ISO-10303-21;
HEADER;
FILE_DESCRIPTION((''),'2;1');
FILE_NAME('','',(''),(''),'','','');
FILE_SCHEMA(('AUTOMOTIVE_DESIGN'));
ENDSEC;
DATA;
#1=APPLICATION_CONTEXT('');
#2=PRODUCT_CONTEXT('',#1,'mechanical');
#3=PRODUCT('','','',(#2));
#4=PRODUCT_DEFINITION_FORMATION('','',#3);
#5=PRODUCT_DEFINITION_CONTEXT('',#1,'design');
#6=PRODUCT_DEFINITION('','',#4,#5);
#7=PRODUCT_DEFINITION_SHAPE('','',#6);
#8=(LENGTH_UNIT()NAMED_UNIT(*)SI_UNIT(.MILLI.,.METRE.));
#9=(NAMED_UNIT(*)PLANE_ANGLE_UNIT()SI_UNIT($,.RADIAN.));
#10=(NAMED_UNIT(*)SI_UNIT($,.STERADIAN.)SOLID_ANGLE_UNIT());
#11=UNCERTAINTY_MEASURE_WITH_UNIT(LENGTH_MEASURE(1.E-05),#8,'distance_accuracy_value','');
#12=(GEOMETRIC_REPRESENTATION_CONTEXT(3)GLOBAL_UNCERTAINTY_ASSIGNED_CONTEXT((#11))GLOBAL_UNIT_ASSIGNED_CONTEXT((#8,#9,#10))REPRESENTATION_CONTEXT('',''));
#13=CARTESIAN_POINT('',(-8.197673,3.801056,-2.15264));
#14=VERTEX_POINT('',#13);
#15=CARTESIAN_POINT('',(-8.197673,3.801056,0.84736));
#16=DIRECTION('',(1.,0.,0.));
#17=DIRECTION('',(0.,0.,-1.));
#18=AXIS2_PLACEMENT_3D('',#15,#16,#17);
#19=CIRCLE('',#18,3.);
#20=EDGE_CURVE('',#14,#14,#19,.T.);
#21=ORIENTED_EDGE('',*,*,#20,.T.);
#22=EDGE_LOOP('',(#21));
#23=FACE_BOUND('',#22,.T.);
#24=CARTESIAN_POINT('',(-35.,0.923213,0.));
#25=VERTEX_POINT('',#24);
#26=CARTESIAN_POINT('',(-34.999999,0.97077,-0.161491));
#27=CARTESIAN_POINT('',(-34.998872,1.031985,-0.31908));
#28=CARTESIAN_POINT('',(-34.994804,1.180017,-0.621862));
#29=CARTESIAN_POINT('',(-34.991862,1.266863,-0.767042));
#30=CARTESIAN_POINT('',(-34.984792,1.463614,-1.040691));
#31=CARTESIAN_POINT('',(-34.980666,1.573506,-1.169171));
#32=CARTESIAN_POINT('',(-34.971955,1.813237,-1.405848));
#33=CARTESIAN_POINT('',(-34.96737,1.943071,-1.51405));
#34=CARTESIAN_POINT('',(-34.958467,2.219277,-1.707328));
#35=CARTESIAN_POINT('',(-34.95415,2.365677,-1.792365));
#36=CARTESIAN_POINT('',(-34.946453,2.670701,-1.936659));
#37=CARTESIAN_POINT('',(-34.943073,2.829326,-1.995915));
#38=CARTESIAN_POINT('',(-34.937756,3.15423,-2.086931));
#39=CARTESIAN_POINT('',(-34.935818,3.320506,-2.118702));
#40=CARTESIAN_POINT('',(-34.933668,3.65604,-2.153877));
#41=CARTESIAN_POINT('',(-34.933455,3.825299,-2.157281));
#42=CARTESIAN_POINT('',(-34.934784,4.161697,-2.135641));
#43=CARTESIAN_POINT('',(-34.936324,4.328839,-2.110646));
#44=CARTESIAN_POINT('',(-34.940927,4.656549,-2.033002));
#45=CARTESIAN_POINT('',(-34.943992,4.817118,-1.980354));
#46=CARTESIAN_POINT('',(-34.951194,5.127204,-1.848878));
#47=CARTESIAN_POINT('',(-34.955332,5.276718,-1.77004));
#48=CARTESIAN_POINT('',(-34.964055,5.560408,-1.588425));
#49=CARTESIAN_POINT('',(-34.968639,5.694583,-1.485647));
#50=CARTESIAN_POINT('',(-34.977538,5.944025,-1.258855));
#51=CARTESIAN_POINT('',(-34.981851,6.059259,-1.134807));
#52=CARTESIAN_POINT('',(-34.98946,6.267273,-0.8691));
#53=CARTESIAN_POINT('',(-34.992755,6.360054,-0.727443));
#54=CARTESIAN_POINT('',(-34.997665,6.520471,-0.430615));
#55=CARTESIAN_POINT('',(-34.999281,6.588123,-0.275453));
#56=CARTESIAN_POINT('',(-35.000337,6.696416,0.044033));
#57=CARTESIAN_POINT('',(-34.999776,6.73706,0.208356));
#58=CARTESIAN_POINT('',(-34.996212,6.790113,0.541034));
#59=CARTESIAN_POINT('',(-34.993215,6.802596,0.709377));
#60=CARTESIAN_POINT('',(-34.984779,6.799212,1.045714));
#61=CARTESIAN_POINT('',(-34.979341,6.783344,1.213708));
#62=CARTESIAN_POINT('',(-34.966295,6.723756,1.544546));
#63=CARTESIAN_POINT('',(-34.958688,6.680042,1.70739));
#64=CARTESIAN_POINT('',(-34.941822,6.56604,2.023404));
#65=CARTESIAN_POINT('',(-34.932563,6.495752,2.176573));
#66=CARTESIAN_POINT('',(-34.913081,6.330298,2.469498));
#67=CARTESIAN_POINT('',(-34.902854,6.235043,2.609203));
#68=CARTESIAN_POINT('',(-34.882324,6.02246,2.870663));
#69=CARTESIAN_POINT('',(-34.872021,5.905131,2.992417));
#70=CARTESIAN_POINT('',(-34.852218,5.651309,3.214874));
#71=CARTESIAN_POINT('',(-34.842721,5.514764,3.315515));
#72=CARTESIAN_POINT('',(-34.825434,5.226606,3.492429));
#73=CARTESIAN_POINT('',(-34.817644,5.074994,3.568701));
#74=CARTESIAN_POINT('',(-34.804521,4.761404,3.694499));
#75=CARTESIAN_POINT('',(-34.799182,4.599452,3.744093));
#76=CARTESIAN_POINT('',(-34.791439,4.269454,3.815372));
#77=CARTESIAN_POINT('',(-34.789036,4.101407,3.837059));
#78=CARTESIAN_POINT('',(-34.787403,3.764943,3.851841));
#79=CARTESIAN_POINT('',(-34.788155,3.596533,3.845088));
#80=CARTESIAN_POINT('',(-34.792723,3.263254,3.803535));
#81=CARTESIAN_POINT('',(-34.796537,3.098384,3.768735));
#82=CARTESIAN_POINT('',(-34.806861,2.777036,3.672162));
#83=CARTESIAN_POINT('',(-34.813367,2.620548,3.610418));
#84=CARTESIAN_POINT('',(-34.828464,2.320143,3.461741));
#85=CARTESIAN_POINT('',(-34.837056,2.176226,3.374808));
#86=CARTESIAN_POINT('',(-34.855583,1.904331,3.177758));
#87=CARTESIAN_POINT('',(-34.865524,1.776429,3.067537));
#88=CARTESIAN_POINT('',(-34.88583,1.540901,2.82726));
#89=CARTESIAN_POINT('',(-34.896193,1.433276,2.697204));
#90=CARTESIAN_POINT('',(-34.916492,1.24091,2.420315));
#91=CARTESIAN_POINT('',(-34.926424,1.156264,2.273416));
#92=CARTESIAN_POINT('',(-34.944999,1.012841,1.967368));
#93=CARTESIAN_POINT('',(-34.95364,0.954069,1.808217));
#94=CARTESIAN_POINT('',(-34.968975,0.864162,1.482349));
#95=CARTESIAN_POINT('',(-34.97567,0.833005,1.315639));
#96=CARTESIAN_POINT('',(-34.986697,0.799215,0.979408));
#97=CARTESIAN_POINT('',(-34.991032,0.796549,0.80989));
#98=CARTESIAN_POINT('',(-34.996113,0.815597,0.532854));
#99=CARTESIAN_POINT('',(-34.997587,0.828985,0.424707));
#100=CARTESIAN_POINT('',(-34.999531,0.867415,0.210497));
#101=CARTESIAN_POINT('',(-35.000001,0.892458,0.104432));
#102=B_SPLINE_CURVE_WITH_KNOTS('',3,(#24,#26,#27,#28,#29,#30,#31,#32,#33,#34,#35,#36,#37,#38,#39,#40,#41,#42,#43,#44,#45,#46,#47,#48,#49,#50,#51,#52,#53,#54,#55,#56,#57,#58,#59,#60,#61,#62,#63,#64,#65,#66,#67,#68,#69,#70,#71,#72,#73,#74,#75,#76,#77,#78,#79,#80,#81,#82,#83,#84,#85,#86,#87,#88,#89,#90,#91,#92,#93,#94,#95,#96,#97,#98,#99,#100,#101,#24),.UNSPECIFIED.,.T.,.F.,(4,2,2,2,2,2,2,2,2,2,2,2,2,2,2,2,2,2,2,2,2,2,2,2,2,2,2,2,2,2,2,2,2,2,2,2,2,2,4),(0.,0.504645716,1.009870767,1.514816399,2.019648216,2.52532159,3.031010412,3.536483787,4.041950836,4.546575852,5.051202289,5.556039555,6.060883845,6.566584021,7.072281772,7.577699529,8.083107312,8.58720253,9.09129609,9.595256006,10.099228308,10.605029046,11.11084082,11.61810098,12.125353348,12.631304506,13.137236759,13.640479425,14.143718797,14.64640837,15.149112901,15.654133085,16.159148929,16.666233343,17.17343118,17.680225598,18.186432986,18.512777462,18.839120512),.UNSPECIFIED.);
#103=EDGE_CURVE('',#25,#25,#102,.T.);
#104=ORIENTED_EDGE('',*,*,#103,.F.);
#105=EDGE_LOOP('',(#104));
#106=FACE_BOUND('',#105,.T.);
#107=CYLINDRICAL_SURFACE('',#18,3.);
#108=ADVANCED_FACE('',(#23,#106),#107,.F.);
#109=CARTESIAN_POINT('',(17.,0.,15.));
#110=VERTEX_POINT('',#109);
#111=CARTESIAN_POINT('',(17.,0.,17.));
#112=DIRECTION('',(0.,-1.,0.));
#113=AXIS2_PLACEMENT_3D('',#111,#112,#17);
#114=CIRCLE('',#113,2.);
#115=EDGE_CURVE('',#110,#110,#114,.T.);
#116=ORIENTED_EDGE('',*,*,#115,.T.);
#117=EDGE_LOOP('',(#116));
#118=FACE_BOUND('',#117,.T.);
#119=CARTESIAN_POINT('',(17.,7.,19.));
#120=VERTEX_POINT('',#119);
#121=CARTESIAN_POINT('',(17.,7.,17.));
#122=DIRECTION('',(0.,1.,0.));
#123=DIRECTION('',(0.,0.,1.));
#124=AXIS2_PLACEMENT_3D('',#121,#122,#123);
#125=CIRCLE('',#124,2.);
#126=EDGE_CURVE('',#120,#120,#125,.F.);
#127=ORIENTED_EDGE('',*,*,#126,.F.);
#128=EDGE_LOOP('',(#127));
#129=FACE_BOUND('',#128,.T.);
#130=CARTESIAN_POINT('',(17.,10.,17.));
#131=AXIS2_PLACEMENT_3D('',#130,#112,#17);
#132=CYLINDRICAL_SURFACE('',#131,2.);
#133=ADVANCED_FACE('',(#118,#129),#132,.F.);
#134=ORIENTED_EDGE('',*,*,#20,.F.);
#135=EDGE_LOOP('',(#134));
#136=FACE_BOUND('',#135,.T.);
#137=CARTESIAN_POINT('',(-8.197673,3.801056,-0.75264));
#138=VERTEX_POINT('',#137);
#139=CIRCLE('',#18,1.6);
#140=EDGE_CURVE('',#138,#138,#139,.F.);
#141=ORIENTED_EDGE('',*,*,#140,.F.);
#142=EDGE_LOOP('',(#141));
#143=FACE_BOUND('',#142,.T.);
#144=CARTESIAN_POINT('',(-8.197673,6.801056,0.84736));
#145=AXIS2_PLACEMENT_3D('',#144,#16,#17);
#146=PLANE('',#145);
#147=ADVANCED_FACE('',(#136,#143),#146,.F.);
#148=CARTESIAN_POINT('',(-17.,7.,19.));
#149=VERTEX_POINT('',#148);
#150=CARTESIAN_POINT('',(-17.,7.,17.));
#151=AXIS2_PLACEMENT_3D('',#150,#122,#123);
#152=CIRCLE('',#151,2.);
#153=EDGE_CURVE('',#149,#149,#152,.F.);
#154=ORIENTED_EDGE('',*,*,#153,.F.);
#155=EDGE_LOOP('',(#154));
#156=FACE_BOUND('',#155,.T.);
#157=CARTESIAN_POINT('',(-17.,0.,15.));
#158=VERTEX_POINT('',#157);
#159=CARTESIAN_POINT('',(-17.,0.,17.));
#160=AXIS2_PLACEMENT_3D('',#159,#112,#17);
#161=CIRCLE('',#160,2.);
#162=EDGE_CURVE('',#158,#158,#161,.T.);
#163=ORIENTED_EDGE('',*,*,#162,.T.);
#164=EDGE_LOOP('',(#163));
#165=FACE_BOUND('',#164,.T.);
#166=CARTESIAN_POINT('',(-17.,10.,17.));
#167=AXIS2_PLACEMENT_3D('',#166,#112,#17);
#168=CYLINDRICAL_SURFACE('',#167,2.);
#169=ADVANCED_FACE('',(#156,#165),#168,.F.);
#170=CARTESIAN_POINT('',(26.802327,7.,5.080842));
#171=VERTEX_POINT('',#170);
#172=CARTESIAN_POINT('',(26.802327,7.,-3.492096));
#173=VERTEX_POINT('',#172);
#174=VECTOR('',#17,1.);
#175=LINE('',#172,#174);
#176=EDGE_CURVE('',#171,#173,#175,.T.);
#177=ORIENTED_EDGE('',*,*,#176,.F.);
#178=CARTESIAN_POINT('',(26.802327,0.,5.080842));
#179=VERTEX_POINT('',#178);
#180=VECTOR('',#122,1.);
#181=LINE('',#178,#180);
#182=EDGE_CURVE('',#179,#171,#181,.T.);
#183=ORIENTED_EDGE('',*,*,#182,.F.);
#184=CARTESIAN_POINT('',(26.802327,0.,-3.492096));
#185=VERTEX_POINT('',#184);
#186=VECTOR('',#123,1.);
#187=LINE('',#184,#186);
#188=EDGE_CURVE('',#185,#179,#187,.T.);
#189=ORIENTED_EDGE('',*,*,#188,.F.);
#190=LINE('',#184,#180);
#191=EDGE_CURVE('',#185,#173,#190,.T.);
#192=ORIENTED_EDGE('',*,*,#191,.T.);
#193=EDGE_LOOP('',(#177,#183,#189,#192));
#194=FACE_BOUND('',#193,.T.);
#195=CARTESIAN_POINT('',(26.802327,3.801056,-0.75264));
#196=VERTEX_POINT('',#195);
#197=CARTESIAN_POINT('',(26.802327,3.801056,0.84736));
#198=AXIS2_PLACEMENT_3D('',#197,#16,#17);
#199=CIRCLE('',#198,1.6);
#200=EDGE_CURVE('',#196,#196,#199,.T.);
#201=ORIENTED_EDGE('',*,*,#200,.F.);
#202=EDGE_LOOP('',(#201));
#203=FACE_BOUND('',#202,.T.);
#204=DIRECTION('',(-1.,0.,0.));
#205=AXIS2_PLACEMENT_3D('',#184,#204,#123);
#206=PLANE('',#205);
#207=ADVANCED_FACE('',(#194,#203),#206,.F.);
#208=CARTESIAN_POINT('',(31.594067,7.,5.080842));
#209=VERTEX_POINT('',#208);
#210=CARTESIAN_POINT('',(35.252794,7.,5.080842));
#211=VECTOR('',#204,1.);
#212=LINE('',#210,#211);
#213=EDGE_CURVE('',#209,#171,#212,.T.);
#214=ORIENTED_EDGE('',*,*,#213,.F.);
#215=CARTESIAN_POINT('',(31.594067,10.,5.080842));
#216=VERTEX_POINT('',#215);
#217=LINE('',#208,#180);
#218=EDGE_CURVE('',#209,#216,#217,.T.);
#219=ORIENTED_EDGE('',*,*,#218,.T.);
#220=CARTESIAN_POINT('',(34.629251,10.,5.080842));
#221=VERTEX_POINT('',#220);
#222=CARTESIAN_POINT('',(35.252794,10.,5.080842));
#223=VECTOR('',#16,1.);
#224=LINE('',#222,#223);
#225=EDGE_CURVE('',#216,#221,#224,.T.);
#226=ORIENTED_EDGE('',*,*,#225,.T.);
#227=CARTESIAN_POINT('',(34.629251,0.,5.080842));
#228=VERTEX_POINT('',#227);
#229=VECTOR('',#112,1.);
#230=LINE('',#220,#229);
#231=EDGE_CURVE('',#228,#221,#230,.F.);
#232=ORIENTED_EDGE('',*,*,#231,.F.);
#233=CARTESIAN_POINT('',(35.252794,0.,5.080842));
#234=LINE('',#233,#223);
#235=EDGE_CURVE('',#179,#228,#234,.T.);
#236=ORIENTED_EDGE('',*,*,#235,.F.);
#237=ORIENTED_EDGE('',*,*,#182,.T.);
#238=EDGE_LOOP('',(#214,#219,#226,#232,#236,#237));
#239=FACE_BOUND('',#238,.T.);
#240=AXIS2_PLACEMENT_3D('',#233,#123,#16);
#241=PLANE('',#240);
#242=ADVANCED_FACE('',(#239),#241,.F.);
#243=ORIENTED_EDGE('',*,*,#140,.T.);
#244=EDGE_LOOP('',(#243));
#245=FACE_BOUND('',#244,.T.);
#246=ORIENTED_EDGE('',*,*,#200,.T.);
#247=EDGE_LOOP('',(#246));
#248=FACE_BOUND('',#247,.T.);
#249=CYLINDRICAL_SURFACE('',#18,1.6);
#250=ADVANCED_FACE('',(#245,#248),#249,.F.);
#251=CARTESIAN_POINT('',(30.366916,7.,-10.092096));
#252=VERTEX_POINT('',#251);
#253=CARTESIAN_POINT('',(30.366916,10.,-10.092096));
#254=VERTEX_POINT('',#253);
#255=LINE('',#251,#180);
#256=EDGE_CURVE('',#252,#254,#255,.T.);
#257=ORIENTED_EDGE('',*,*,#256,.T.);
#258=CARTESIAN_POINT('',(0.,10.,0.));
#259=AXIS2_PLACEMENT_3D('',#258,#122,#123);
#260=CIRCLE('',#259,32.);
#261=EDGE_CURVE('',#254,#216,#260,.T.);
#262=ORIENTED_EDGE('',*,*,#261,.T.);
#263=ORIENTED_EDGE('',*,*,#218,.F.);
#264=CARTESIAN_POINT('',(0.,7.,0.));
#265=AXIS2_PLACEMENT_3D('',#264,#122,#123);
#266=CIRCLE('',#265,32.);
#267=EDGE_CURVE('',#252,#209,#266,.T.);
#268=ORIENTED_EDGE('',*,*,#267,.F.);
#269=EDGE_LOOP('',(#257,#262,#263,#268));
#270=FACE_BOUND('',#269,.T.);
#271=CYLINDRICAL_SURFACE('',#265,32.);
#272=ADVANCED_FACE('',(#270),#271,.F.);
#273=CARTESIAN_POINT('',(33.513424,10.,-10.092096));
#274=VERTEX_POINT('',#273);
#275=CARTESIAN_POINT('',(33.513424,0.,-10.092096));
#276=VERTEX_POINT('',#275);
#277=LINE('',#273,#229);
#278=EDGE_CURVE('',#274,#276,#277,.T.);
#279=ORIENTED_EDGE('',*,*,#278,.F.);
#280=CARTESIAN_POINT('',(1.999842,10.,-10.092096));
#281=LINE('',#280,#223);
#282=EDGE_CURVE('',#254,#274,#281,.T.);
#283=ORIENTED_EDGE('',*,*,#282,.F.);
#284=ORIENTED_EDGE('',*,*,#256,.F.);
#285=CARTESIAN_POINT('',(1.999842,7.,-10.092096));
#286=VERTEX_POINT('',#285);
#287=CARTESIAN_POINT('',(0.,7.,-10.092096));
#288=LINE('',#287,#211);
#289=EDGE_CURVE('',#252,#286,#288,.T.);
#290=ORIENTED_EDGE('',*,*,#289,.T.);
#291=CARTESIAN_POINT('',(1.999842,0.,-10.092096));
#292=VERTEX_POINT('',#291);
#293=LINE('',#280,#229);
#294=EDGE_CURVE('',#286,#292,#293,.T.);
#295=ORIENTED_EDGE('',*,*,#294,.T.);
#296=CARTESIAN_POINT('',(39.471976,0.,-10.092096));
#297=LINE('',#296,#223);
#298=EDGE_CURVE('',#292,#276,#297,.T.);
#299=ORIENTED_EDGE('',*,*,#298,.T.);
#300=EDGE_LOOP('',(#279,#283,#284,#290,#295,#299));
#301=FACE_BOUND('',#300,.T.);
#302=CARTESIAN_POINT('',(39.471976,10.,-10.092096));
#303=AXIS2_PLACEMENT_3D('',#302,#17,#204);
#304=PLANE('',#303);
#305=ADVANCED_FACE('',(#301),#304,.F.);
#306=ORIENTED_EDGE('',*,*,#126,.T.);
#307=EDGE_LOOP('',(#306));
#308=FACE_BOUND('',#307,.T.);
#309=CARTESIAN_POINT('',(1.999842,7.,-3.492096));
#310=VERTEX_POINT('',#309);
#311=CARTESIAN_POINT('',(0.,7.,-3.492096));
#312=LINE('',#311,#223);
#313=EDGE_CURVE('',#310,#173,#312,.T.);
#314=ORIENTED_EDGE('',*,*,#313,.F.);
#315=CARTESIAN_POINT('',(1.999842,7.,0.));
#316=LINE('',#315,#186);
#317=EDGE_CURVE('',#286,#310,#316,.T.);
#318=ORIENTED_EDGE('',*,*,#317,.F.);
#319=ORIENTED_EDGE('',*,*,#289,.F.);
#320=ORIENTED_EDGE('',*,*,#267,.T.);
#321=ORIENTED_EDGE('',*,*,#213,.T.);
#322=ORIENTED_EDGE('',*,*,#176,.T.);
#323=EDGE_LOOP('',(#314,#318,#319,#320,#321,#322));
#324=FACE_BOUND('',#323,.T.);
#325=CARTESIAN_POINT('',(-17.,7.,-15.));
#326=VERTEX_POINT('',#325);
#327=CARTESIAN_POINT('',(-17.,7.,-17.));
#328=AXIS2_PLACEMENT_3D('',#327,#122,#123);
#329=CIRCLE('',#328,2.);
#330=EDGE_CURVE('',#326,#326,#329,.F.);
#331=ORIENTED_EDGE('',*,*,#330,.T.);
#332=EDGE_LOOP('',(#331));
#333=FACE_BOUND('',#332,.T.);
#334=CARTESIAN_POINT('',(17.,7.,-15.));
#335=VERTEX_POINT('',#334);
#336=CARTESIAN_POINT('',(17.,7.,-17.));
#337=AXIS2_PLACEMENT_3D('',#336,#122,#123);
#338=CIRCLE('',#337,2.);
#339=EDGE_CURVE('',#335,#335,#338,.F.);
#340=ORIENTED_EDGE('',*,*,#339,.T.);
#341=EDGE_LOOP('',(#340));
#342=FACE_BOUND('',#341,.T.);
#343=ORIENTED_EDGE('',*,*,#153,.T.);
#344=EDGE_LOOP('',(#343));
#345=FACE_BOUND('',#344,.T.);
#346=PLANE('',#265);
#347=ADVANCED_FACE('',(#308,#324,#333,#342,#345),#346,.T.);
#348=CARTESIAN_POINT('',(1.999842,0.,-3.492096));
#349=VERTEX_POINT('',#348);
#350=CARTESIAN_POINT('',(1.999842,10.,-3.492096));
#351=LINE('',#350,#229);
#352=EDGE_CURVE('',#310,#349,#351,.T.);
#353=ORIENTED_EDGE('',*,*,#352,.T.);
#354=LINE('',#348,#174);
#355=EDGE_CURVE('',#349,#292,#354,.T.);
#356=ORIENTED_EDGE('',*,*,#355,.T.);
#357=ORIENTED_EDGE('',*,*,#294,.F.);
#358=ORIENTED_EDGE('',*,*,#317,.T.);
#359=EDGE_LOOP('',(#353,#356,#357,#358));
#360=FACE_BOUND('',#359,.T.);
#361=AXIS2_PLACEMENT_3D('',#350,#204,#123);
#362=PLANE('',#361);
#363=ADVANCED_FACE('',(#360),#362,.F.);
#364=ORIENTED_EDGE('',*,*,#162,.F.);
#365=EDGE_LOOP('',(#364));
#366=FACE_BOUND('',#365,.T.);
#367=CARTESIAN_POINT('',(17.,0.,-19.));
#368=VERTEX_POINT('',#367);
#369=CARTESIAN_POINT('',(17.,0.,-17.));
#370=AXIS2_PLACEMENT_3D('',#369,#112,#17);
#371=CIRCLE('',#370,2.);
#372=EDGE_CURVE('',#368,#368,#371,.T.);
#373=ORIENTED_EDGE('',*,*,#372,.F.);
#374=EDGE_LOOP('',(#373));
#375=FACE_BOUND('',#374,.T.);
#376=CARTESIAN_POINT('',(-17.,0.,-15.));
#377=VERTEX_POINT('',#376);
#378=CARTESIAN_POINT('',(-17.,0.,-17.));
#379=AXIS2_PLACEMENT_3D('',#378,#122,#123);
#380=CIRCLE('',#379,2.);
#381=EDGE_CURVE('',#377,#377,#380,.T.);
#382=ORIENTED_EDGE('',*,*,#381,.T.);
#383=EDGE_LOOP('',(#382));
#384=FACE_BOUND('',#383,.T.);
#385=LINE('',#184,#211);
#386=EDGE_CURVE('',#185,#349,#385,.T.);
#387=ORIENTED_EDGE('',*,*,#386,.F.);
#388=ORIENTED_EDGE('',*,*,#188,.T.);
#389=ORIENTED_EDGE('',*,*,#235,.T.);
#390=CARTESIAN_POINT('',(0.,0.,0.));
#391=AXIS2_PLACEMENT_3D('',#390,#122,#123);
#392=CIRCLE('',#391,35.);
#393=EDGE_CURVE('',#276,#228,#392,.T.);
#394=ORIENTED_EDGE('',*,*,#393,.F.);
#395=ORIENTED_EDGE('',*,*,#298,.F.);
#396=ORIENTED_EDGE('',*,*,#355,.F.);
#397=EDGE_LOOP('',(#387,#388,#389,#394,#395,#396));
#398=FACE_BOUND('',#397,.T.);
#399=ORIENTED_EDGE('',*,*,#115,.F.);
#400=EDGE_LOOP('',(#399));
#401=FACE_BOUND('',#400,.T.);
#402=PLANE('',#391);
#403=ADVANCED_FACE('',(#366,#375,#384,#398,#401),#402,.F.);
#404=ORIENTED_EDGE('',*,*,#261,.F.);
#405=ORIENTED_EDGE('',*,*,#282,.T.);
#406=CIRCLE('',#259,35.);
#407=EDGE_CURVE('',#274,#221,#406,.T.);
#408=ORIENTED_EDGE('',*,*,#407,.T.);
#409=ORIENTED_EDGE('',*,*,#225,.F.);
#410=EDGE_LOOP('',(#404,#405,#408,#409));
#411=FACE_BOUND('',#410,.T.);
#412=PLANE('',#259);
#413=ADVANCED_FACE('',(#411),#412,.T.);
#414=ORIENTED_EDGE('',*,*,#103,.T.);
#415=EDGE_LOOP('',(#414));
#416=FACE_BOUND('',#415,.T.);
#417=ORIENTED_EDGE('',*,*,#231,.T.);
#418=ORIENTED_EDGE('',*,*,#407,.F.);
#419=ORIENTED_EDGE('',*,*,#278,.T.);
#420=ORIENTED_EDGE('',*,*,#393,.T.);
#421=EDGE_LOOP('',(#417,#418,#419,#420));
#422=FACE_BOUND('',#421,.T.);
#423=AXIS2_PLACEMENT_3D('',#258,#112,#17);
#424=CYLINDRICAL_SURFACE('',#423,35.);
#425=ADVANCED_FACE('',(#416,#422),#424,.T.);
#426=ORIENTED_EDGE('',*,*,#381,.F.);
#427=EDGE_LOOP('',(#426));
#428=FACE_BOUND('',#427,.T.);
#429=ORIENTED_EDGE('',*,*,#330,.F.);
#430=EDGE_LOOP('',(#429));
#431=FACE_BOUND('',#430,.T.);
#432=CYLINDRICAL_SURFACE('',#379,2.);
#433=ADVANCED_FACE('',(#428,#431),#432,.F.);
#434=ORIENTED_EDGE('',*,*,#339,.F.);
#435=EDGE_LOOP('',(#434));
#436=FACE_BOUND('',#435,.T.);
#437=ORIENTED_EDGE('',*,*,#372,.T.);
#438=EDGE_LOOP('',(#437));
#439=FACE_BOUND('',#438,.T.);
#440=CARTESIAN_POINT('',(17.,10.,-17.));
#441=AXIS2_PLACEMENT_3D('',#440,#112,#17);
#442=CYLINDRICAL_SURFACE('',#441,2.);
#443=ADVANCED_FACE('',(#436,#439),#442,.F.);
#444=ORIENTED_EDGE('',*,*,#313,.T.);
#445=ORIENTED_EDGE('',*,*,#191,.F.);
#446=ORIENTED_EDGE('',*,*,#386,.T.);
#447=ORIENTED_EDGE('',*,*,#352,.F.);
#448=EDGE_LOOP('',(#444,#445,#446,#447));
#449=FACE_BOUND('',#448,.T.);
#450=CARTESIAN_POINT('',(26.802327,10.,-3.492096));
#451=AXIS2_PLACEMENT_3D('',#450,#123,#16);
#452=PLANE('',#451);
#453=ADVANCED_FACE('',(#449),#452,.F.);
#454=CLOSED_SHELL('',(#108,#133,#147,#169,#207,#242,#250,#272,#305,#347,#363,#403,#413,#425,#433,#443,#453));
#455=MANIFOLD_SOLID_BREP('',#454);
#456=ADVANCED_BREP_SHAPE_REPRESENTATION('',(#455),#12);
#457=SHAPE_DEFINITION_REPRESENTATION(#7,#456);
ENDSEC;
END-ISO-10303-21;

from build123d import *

# Parameters (mm, degrees)
SKETCH1_R               = 35
BOSS_EXTRUDE1_DEPTH     = 10
SKETCH27_W              = 8.45046724
SKETCH27_H              = 8.572937779
CUT_EXTRUDE8_DEPTH      = 51.497524692
CUT_EXTRUDE9_DEPTH      = 51.497524692
CUT_EXTRUDE9_DEPTH_BACK = 51.497524692
SKETCH34_R              = 2
SKETCH35_R              = 2
CUT_EXTRUDE10_DEPTH     = 51.497524692
SKETCH36_R              = 2
CUT_EXTRUDE11_DEPTH     = 51.497524692
SKETCH37_R              = 2
CUT_EXTRUDE12_DEPTH     = 51.497524692
SKETCH39_R              = 32
CUT_EXTRUDE14_DEPTH     = 3
SKETCH40_R              = 1.6
CUT_EXTRUDE16_DEPTH     = 35
SKETCH49_W              = 3
SKETCH49_H              = 26.802326962
CUT_EXTRUDE18_DEPTH     = 51.49752485


with BuildPart() as part:
    # Sketch1 → Boss-Extrude1 (new body)
    with BuildSketch(Plane(origin=(0, 0, 0), x_dir=(1, 0, 0), z_dir=(0, 1, 0))):
        with Locations(Location((0, 0, 0), (0, 0, 270))):
            Circle(SKETCH1_R)
    extrude(amount=BOSS_EXTRUDE1_DEPTH)

    # Sketch27 → Cut-Extrude8 (cut, through all)
    with BuildSketch(Plane(origin=(0, 10, 0), x_dir=(1, 0, 0), z_dir=(0, 1, 0))):
        with Locations((31.027560582, -0.794372815)):
            Rectangle(SKETCH27_W, SKETCH27_H)
    extrude(amount=-CUT_EXTRUDE8_DEPTH, mode=Mode.SUBTRACT)

    # Sketch34 → Cut-Extrude9 (cut, two sides: drawn at the far end of the back side and taken through both)
    with BuildSketch(Plane(origin=(0, 10, 0), x_dir=(1, 0, 0), z_dir=(0, 1, 0)).offset(-CUT_EXTRUDE9_DEPTH_BACK)):
        with Locations(Location((-17, 17, 0), (0, 0, 270))):
            Circle(SKETCH34_R)
    extrude(amount=CUT_EXTRUDE9_DEPTH + CUT_EXTRUDE9_DEPTH_BACK, mode=Mode.SUBTRACT)

    # Sketch35 → Cut-Extrude10 (cut, through all)
    with BuildSketch(Plane(origin=(0, 0, 0), x_dir=(-1, 0, 0), z_dir=(0, -1, 0))):
        with Locations(Location((-17, 17, 0), (0, 0, 90))):
            Circle(SKETCH35_R)
    extrude(amount=-CUT_EXTRUDE10_DEPTH, mode=Mode.SUBTRACT)

    # Sketch36 → Cut-Extrude11 (cut, through all)
    with BuildSketch(Plane(origin=(0, 0, 0), x_dir=(-1, 0, 0), z_dir=(0, -1, 0))):
        with Locations(Location((17, -17, 0), (0, 0, 90))):
            Circle(SKETCH36_R)
    extrude(amount=-CUT_EXTRUDE11_DEPTH, mode=Mode.SUBTRACT)

    # Sketch37 → Cut-Extrude12 (cut, through all)
    with BuildSketch(Plane.XZ):
        with Locations(Location((17, 17, 0), (0, 0, 270))):
            Circle(SKETCH37_R)
    extrude(amount=-CUT_EXTRUDE12_DEPTH, mode=Mode.SUBTRACT)

    # Sketch39 → Cut-Extrude14 (cut)
    with BuildSketch(Plane(origin=(0, 10, 0), x_dir=(1, 0, 0), z_dir=(0, 1, 0))):
        Circle(SKETCH39_R)
    extrude(amount=-CUT_EXTRUDE14_DEPTH, mode=Mode.SUBTRACT)

    # Sketch40 → Cut-Extrude16 (cut)
    with BuildSketch(Plane(origin=(26.802326962, 0, 0), x_dir=(0, 0, -1), z_dir=(1, 0, 0))):
        with Locations((-0.847360281, 3.801055622)):
            Circle(SKETCH40_R)
    extrude(amount=-CUT_EXTRUDE16_DEPTH, mode=Mode.SUBTRACT)

    # Sketch49 → Ø6.0mm Dowel Hole6 (revolve, cut)
    with BuildSketch(Plane(origin=(-8.197673038, 3.801055622, 0.847360281), x_dir=(0, 0, -1), z_dir=(0, 1, 0))):
        with Locations((1.5, 13.401163481)):
            Rectangle(SKETCH49_W, SKETCH49_H)
    revolve(axis=Axis((-1.847673038, 3.801055622, 0.847360281), (-1, 0, 0)), mode=Mode.SUBTRACT)

    # Sketch52 → Cut-Extrude18 (cut, through all)
    with BuildSketch(Plane(origin=(0, 0, 0), x_dir=(-1, 0, 0), z_dir=(0, -1, 0))):
        Polygon((-26.802326962, 3.492096074), (-1.999842463, 3.492096074), (-1.999842463, 10.092096074), (-33.513424129, 10.092096074), (-39.471976124, 10.092096074), (-42.019310815, 10.092096074), (-42.019310815, 3.492096074), align=None)
    extrude(amount=-CUT_EXTRUDE18_DEPTH, mode=Mode.SUBTRACT)


solid = part.part
